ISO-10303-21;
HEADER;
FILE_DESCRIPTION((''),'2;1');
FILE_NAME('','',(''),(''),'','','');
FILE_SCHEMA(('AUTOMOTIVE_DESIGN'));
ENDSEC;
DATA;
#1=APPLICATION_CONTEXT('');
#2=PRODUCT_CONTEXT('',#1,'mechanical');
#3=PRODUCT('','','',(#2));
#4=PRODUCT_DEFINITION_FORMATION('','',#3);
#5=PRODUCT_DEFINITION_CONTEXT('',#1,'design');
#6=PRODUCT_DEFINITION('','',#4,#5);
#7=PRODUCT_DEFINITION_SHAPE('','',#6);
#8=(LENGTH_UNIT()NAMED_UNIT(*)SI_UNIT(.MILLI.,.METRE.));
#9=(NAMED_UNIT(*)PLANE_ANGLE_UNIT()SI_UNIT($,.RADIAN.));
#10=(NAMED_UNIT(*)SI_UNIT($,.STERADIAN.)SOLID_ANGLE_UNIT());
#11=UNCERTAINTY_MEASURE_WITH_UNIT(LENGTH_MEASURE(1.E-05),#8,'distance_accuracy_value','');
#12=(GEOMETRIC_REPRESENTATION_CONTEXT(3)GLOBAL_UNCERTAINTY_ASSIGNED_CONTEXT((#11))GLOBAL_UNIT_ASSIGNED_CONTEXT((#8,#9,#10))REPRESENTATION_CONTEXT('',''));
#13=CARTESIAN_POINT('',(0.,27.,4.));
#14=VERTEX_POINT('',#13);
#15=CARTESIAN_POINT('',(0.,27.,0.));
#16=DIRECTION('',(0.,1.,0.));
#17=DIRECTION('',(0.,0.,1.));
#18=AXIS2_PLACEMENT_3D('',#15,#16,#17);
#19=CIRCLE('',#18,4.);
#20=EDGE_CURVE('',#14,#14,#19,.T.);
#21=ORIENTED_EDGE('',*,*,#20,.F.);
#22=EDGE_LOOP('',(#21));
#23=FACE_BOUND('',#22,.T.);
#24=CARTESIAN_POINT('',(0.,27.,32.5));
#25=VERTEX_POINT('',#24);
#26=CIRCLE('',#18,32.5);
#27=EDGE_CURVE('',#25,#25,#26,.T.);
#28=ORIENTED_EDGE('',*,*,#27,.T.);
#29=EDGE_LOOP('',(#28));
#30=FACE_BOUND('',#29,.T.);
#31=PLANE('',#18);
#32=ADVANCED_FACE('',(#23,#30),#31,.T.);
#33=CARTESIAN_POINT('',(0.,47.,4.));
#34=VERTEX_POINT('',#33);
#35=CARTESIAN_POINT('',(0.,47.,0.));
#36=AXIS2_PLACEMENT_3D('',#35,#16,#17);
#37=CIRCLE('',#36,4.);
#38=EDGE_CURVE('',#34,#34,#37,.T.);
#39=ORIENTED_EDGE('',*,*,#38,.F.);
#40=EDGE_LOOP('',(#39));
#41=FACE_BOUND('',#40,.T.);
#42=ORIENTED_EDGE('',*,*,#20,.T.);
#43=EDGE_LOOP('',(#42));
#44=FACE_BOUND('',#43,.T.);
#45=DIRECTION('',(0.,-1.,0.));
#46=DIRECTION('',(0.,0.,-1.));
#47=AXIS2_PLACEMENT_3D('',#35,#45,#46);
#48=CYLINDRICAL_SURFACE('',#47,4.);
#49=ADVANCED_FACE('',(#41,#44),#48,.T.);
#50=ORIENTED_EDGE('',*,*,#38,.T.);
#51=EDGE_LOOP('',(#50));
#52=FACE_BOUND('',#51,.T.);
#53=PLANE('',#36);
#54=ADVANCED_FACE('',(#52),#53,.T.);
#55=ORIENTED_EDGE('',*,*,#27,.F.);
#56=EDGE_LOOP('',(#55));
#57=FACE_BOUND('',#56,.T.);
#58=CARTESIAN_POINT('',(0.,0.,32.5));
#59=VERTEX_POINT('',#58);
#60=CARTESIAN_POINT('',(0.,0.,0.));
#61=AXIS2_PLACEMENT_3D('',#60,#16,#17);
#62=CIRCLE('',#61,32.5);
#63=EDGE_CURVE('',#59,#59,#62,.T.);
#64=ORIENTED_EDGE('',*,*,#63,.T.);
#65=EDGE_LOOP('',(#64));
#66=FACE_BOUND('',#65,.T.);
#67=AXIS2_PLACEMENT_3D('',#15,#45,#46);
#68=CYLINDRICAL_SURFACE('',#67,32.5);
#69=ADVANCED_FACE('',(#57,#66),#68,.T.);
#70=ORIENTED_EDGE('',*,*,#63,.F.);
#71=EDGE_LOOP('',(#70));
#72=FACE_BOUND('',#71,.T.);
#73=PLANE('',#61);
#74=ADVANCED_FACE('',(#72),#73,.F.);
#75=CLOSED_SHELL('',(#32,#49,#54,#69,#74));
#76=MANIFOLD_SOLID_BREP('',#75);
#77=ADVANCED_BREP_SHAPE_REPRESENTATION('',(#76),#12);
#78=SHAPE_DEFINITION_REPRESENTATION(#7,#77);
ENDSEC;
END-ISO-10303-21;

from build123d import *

# Parameters (mm, degrees)
SKETCH1_R           = 32.5
BOSS_EXTRUDE1_DEPTH = 27
SKETCH2_R           = 4
BOSS_EXTRUDE2_DEPTH = 20


with BuildPart() as part:
    # Sketch1 → Boss-Extrude1 (new body)
    with BuildSketch(Plane(origin=(0, 0, 0), x_dir=(1, 0, 0), z_dir=(0, 1, 0))):
        with Locations(Location((0, 0, 0), (0, 0, 270))):
            Circle(SKETCH1_R)
    extrude(amount=BOSS_EXTRUDE1_DEPTH)

    # Sketch2 → Boss-Extrude2 (add)
    with BuildSketch(Plane(origin=(0, 27, 0), x_dir=(1, 0, 0), z_dir=(0, 1, 0))):
        with Locations(Location((0, 0, 0), (0, 0, 270))):
            Circle(SKETCH2_R)
    extrude(amount=BOSS_EXTRUDE2_DEPTH)


solid = part.part
